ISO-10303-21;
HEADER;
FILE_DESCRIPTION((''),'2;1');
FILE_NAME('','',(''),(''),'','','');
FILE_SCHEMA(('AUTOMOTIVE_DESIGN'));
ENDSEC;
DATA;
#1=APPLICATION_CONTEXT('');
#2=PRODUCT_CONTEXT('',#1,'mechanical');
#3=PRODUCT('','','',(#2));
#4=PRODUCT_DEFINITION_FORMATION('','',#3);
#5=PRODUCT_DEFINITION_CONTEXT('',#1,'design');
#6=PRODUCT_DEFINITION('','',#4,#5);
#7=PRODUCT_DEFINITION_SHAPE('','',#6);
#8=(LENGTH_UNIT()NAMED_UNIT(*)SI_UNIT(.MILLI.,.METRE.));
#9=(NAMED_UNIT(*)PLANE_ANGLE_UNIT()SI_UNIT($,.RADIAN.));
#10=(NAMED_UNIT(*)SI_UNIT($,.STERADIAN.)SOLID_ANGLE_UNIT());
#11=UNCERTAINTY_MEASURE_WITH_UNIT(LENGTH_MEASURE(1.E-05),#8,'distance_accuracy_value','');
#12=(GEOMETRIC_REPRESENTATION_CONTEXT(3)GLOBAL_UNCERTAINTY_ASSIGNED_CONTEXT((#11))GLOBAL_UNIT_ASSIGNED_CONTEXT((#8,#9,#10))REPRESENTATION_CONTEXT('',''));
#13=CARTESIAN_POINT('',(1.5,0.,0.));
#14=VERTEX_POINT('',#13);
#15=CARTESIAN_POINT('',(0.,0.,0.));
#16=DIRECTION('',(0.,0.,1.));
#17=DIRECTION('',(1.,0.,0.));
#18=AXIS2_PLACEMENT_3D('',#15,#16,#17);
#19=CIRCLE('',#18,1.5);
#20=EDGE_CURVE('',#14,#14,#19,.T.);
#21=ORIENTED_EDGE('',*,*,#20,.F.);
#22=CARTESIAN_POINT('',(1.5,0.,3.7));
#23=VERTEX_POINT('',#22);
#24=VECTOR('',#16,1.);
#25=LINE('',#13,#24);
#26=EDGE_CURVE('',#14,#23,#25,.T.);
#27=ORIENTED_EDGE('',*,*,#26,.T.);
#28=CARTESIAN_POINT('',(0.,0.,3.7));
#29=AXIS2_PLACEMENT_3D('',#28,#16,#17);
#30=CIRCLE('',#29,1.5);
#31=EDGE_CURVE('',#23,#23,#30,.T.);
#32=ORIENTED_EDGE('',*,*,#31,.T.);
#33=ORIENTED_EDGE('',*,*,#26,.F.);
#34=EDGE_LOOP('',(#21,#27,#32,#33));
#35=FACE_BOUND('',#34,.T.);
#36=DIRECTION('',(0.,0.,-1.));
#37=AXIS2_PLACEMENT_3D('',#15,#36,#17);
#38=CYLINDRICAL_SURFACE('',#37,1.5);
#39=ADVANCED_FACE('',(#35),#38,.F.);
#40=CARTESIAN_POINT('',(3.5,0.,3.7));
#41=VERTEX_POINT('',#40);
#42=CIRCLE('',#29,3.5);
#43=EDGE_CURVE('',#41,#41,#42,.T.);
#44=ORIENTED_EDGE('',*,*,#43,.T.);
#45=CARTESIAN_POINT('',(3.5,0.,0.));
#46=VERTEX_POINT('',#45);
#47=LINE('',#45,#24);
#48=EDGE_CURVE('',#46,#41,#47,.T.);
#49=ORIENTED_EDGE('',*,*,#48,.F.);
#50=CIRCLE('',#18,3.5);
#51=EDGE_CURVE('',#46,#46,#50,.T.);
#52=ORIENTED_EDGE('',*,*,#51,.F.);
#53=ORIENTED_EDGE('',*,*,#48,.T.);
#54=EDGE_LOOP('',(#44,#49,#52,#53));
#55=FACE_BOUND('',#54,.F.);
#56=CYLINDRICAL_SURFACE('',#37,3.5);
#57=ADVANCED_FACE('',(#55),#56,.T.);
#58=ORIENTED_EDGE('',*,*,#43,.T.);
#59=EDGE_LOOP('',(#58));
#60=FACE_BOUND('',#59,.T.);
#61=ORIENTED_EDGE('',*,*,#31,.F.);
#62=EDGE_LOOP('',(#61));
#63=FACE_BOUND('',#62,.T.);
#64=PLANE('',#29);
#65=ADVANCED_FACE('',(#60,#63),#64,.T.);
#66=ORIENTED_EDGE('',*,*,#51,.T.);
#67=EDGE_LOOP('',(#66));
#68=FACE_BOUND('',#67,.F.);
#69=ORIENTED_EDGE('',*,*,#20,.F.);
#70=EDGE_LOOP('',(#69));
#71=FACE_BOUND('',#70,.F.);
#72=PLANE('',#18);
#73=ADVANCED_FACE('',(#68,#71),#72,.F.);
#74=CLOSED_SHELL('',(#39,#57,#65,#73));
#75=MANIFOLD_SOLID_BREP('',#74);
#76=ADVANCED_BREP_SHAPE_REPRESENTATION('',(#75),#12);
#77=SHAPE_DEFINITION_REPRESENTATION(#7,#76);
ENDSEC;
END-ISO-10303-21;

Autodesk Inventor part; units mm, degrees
ref_plane "YZ Plane" through (0, 0, 0) normal (1, 0, 0) x (0, 1, 0)
ref_plane "XZ Plane" through (0, 0, 0) normal (0, 1, 0) x (-1, 0, 0)
ref_plane "XY Plane" through (0, 0, 0) normal (0, 0, 1) x (1, 0, 0)
sketch "Sketch1" plane through (0, 0, 0) normal (0, 0, 1) x (1, 0, 0)
  circle A0 centre (0, 0) radius 3.5
  circle A1 centre (0, 0) radius 1.5
  dimension "d0" = 7
  dimension "d1" = 3
extrude "Extrusion1" add sketch "Sketch1" along normal blind 3.7
properties part number "Separador" material "PMMA Plastic"
